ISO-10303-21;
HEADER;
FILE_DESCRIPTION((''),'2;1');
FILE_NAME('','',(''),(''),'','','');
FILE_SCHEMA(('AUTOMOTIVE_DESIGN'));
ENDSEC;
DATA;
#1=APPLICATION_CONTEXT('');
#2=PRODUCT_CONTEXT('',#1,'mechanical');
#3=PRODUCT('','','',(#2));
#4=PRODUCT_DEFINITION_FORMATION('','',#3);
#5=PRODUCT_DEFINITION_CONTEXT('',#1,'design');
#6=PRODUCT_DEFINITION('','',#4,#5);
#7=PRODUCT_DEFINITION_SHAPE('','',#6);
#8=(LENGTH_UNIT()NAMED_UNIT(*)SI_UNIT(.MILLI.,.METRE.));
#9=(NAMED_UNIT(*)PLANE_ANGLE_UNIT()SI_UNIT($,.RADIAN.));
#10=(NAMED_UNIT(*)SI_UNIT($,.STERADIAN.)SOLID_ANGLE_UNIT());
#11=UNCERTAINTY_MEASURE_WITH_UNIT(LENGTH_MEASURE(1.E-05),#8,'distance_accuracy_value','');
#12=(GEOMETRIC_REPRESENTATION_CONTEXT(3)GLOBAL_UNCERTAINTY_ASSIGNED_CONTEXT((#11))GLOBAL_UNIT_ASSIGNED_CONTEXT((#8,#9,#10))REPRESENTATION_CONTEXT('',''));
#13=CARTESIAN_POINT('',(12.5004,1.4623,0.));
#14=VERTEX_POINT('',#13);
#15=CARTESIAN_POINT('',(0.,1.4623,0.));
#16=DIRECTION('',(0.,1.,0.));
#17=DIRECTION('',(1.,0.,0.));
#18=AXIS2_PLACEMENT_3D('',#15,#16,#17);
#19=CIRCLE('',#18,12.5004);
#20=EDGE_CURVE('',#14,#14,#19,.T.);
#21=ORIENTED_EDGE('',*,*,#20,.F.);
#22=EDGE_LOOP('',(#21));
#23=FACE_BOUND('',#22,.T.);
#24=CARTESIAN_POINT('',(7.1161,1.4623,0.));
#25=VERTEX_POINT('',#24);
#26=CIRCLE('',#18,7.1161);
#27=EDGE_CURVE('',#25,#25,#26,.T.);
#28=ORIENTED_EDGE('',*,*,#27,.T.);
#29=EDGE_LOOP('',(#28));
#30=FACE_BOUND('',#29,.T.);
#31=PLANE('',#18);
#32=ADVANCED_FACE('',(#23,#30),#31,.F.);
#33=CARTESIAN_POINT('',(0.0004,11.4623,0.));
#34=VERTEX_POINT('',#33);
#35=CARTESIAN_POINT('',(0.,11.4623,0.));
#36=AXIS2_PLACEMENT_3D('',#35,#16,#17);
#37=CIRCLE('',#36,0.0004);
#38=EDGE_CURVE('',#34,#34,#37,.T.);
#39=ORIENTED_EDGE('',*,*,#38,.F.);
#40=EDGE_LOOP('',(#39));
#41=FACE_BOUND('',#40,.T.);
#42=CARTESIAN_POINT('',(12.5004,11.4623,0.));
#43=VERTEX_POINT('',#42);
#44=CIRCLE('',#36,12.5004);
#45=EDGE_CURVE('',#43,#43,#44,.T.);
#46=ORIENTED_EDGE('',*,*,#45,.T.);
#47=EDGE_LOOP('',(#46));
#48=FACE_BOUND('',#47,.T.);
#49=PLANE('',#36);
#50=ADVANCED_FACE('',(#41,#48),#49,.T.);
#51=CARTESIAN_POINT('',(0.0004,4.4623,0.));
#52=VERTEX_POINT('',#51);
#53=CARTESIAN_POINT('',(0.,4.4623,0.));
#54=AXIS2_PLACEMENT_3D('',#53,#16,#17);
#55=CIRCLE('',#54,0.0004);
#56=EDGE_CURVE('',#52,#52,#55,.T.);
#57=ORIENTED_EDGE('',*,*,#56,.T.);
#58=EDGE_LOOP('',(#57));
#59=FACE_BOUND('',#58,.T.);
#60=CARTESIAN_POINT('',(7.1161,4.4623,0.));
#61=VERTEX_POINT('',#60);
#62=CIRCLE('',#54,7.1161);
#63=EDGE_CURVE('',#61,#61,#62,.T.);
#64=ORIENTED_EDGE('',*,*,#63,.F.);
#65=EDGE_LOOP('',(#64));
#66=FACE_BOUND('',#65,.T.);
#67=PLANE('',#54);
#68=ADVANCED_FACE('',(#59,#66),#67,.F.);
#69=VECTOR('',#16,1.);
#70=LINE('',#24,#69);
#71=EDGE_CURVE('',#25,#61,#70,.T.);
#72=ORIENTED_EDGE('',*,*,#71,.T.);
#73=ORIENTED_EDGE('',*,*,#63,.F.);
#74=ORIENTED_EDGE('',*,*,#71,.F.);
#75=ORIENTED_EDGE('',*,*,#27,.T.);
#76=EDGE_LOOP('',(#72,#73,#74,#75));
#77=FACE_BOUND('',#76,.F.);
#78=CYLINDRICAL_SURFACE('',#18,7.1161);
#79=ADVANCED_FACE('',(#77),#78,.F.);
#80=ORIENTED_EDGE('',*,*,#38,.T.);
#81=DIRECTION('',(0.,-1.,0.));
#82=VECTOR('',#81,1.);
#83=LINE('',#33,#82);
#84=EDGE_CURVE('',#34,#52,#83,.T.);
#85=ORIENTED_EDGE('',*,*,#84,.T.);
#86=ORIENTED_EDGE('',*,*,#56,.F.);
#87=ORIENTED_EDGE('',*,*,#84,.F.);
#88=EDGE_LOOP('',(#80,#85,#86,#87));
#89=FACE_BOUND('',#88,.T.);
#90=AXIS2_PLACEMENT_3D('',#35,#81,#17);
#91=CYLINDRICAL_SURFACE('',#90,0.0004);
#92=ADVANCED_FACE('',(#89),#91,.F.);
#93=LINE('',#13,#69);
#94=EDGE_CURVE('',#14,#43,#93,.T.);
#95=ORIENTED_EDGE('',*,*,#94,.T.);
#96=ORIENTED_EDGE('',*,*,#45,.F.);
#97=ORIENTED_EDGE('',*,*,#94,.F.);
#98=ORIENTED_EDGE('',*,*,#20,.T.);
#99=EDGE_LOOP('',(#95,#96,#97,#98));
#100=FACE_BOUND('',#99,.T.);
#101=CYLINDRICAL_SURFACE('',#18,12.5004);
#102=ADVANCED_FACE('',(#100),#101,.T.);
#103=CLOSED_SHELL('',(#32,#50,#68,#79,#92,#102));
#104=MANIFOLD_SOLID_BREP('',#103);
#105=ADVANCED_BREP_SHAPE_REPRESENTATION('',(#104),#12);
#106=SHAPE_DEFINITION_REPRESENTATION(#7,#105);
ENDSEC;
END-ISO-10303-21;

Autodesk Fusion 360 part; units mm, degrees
sketch "Sketch1" plane through (0, 0, 0) normal (0, 0, 1) x (1, 0, 0)
  line L0 (0.0004, 4.4623) -> (7.1161, 4.4623)
  line L1 (7.1161, 1.4623) -> (7.1161, 4.4623)
  line L2 (7.1161, 1.4623) -> (12.5004, 1.4623)
  line L3 (12.5004, 1.4623) -> (12.5004, 11.4623)
  line L4 (12.5004, 11.4623) -> (0.0004, 11.4623)
  line L5 (0.0004, 11.4623) -> (0.0004, 4.4623)
  dimension "d4" = 3
  dimension "d5" = 10
  dimension "d6" = 12.5
revolve "Revolve1" add sketch "Sketch1" angle 360 about axis through (0, 1.75, 0) along (0, 1, 0)
